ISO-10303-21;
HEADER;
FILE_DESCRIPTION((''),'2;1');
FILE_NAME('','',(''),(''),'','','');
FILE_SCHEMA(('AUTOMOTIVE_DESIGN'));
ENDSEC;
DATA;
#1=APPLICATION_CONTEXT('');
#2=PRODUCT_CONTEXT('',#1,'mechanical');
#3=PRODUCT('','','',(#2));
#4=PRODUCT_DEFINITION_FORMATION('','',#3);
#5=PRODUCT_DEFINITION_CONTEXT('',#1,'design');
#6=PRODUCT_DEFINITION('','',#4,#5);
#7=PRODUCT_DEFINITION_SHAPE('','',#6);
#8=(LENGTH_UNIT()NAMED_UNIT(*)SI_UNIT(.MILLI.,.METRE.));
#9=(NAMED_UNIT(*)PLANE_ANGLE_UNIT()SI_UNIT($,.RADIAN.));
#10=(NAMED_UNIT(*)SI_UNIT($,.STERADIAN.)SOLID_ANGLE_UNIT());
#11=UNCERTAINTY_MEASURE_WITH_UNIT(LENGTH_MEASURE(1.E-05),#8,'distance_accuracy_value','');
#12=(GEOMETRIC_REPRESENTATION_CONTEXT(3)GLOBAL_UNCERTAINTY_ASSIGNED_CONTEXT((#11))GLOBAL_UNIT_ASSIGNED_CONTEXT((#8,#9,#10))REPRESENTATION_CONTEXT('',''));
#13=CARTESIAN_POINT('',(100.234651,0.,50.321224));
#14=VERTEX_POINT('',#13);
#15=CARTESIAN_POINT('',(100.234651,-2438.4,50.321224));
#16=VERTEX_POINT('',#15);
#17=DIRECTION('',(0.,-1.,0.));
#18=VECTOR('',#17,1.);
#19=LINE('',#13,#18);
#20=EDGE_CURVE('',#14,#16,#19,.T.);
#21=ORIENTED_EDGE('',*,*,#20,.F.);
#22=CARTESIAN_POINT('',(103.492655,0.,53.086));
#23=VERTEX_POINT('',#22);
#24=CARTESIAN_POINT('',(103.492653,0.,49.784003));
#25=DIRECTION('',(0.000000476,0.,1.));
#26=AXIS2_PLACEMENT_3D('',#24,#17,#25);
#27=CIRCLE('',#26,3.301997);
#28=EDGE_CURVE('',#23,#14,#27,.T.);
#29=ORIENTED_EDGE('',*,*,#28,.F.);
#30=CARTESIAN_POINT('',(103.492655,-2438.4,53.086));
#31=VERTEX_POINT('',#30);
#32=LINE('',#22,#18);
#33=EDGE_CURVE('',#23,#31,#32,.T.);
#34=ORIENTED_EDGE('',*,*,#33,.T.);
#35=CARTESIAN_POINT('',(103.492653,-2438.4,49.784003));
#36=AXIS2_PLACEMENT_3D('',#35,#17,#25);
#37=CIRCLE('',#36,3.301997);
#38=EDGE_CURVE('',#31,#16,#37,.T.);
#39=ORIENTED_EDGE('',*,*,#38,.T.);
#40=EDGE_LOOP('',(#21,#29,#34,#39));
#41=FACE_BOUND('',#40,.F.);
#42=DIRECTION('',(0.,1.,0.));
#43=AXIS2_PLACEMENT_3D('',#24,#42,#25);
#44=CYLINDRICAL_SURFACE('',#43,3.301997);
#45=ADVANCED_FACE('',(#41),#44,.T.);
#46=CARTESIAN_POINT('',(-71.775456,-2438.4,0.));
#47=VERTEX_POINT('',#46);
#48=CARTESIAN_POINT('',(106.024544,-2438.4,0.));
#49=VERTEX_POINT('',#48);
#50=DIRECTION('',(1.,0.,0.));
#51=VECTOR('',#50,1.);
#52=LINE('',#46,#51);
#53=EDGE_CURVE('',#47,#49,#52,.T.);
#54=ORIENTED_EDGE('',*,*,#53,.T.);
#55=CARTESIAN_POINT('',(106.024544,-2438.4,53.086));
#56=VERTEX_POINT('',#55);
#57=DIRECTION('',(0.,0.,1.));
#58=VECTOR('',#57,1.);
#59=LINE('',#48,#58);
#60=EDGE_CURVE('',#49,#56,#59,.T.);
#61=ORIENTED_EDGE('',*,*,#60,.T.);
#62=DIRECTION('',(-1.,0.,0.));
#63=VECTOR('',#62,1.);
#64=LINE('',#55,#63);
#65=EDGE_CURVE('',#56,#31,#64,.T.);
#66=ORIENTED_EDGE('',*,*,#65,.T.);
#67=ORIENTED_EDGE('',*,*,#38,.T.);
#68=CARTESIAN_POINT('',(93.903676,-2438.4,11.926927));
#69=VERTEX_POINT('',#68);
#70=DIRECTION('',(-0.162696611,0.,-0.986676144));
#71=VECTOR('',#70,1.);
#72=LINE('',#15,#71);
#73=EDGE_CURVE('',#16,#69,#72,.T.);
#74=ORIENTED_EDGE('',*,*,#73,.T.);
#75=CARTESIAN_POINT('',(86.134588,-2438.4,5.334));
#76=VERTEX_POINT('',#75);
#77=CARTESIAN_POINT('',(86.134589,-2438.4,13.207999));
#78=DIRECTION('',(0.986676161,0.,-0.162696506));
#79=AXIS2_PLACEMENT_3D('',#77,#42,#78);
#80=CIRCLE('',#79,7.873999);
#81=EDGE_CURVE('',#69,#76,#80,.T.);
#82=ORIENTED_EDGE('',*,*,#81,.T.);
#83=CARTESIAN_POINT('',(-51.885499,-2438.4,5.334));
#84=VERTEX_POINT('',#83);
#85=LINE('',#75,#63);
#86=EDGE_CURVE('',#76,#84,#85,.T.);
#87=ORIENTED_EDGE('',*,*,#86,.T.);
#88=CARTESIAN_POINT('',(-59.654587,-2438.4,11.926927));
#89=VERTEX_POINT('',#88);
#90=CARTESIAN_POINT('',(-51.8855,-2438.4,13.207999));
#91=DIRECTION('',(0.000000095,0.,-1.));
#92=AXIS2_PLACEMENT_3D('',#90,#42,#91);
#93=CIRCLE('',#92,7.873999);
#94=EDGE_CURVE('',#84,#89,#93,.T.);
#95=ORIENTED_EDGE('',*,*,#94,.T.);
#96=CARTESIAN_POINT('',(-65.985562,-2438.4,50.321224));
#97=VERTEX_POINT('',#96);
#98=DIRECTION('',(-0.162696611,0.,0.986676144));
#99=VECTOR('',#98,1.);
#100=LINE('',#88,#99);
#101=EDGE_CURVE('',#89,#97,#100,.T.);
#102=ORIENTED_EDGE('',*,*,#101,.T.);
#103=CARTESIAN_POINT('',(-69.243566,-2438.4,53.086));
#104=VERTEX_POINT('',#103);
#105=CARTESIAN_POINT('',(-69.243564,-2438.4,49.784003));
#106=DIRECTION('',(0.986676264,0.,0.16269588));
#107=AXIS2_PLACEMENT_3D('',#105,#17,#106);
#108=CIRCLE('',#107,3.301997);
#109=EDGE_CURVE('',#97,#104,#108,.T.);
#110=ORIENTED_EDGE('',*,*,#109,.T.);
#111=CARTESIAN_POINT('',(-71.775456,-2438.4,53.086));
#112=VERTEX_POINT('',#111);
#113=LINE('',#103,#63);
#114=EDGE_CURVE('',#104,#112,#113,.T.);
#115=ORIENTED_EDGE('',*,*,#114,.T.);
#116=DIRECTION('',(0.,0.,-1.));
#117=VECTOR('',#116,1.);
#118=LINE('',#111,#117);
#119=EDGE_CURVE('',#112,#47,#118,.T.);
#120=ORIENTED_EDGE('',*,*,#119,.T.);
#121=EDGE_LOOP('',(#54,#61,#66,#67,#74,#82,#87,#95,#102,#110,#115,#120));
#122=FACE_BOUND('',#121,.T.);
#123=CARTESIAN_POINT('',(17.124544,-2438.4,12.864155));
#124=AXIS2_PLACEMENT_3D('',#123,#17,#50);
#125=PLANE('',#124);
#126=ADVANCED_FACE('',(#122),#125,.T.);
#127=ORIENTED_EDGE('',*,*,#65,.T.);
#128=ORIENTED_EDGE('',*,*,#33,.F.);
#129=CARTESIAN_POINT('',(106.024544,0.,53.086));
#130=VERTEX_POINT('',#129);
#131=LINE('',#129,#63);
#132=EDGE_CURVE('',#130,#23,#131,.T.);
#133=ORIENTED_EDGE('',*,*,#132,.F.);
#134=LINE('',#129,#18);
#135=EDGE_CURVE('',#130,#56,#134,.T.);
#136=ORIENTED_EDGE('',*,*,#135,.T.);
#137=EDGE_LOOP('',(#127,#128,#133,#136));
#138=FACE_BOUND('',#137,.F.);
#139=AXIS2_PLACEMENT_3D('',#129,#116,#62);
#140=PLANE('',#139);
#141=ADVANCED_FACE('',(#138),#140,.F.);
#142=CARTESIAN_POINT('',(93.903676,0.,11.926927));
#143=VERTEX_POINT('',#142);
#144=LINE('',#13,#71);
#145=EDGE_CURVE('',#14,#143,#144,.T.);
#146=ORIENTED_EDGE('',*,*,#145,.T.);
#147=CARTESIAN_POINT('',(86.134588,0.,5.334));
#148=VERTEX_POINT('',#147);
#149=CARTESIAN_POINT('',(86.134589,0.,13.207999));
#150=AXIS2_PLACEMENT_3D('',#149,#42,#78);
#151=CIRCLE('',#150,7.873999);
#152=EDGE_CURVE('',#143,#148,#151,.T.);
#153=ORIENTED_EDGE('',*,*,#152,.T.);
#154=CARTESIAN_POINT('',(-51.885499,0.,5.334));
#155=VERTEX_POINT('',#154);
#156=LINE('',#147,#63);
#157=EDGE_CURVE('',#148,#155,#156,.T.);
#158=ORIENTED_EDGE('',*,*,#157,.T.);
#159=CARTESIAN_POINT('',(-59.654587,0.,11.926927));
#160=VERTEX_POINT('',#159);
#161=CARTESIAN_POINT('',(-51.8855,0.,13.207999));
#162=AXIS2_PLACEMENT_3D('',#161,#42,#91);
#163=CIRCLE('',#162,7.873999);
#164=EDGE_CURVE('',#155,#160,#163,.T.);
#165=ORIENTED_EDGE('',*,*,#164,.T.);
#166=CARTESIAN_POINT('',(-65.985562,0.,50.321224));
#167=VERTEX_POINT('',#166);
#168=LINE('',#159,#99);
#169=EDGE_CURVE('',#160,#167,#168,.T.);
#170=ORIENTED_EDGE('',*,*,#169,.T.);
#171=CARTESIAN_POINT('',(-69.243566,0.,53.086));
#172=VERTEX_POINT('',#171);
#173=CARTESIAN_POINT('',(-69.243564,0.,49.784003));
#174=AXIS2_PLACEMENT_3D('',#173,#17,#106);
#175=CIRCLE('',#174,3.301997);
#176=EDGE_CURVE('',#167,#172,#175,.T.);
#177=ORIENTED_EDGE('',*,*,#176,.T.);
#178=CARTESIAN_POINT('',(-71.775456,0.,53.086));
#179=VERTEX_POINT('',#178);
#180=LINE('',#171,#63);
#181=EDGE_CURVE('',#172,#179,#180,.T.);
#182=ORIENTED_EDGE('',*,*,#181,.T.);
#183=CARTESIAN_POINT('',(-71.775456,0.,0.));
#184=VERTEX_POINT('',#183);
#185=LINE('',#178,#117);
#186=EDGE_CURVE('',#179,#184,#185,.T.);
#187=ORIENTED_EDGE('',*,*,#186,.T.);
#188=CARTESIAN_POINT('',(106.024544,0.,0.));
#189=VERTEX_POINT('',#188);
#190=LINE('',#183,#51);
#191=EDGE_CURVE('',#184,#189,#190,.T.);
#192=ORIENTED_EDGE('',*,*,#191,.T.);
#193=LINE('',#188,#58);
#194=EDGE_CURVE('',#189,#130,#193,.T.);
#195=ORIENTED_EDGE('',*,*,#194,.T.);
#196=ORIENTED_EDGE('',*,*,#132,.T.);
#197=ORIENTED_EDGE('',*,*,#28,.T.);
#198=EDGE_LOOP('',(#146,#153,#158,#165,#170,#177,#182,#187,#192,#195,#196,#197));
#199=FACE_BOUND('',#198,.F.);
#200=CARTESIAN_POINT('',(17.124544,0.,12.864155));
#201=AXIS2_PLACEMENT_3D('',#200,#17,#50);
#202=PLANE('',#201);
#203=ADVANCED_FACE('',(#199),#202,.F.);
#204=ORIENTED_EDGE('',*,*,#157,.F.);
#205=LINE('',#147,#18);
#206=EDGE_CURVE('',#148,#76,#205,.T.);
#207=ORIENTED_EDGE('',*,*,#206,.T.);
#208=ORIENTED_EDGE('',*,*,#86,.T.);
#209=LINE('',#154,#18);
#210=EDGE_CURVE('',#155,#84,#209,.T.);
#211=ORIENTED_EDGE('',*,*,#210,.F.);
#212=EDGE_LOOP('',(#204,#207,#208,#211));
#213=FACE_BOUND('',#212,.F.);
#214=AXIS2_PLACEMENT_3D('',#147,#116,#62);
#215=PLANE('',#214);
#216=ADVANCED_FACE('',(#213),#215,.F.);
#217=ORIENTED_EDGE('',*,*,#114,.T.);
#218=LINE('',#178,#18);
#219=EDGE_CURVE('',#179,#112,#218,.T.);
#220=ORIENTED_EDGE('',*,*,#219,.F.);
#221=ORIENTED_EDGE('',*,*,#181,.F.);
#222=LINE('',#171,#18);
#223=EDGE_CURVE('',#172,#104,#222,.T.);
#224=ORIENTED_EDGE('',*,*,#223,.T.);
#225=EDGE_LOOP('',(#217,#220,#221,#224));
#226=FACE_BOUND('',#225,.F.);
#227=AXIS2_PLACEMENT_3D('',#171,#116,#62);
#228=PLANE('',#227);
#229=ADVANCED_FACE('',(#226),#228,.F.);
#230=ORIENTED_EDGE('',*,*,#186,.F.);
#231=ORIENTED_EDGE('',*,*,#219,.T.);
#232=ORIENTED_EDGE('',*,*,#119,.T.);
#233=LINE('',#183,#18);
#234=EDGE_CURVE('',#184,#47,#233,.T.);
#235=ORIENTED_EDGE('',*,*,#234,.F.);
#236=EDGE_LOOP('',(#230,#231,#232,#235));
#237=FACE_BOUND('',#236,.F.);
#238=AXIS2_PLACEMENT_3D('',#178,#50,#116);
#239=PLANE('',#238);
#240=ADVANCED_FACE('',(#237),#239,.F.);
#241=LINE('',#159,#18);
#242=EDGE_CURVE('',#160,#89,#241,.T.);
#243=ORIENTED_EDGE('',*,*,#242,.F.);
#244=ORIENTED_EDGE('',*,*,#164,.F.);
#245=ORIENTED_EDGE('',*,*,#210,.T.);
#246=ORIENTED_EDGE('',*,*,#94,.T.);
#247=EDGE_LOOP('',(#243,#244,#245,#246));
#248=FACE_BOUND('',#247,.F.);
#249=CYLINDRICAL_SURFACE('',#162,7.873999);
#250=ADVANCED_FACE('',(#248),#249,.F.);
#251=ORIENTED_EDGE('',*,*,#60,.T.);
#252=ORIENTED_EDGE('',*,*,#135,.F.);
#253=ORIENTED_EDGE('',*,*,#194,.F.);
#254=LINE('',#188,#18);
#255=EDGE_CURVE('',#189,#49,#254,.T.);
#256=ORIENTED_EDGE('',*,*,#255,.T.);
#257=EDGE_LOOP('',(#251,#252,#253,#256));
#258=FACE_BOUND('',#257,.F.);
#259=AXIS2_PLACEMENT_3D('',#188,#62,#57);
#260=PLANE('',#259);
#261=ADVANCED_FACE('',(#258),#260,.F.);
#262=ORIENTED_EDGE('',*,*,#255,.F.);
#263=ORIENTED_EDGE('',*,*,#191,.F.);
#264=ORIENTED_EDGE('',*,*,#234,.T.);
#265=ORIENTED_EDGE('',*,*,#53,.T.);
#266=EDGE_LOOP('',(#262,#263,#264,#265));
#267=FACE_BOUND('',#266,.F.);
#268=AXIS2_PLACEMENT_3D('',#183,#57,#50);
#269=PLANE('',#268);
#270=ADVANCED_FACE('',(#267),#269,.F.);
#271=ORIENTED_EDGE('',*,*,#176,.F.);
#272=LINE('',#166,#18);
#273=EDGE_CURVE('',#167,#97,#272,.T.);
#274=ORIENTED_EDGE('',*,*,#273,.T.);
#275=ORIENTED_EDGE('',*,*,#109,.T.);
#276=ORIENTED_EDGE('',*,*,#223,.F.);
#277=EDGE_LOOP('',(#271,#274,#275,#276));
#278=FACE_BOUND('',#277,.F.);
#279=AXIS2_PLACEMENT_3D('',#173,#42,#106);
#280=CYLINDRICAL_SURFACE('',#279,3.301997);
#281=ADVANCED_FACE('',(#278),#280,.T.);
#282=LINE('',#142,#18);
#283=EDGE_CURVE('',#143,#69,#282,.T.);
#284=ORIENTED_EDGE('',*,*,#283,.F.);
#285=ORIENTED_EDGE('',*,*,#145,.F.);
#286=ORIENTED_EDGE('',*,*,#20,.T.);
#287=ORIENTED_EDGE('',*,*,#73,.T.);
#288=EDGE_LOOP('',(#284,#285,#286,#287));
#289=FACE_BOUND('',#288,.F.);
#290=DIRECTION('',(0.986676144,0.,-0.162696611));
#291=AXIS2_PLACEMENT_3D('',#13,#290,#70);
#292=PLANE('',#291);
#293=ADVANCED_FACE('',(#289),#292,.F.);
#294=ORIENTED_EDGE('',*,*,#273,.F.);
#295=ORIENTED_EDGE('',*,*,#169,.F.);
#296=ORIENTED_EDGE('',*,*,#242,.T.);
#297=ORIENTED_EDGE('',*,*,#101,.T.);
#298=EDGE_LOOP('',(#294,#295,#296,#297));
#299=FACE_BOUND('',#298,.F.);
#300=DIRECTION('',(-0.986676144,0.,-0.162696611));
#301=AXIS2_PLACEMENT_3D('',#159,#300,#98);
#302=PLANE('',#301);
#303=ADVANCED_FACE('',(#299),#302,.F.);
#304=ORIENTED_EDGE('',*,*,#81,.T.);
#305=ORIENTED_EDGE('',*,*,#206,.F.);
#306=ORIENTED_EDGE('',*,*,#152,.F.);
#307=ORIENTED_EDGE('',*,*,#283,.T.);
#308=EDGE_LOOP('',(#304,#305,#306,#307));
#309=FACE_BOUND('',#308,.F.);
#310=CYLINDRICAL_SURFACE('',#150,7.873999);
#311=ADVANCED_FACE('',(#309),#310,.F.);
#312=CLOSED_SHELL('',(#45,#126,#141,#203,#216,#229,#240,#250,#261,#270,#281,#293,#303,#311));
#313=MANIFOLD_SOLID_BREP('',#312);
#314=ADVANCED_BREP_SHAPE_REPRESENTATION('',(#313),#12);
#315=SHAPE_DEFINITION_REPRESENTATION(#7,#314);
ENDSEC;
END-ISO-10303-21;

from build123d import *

# Parameters (mm, degrees)
F1_DEPTH = 2438.4


with BuildPart() as f1:
    # F0 (on Front) → F1 (new body)
    with BuildSketch(Plane.XZ):
        with BuildLine():
            Line((-71.775456, 0), (106.024544, 0))
            Line((106.024544, 0), (106.024544, 53.086))
            Line((106.024544, 53.086), (103.492655, 53.086))
            ThreePointArc((103.492655, 53.086), (101.356152, 52.30165), (100.234651, 50.321224))
            Line((100.234651, 50.321224), (93.903676, 11.926927))
            ThreePointArc((93.903676, 11.926927), (91.229326, 7.204374), (86.134588, 5.334))
            Line((86.134588, 5.334), (-51.885499, 5.334))
            ThreePointArc((-51.885499, 5.334), (-56.980237, 7.204374), (-59.654587, 11.926927))
            Line((-59.654587, 11.926927), (-65.985562, 50.321224))
            ThreePointArc((-65.985562, 50.321224), (-67.107063, 52.30165), (-69.243566, 53.086))
            Line((-69.243566, 53.086), (-71.775456, 53.086))
            Line((-71.775456, 53.086), (-71.775456, 0))
        make_face()
    extrude(amount=F1_DEPTH)


solid = f1.part
